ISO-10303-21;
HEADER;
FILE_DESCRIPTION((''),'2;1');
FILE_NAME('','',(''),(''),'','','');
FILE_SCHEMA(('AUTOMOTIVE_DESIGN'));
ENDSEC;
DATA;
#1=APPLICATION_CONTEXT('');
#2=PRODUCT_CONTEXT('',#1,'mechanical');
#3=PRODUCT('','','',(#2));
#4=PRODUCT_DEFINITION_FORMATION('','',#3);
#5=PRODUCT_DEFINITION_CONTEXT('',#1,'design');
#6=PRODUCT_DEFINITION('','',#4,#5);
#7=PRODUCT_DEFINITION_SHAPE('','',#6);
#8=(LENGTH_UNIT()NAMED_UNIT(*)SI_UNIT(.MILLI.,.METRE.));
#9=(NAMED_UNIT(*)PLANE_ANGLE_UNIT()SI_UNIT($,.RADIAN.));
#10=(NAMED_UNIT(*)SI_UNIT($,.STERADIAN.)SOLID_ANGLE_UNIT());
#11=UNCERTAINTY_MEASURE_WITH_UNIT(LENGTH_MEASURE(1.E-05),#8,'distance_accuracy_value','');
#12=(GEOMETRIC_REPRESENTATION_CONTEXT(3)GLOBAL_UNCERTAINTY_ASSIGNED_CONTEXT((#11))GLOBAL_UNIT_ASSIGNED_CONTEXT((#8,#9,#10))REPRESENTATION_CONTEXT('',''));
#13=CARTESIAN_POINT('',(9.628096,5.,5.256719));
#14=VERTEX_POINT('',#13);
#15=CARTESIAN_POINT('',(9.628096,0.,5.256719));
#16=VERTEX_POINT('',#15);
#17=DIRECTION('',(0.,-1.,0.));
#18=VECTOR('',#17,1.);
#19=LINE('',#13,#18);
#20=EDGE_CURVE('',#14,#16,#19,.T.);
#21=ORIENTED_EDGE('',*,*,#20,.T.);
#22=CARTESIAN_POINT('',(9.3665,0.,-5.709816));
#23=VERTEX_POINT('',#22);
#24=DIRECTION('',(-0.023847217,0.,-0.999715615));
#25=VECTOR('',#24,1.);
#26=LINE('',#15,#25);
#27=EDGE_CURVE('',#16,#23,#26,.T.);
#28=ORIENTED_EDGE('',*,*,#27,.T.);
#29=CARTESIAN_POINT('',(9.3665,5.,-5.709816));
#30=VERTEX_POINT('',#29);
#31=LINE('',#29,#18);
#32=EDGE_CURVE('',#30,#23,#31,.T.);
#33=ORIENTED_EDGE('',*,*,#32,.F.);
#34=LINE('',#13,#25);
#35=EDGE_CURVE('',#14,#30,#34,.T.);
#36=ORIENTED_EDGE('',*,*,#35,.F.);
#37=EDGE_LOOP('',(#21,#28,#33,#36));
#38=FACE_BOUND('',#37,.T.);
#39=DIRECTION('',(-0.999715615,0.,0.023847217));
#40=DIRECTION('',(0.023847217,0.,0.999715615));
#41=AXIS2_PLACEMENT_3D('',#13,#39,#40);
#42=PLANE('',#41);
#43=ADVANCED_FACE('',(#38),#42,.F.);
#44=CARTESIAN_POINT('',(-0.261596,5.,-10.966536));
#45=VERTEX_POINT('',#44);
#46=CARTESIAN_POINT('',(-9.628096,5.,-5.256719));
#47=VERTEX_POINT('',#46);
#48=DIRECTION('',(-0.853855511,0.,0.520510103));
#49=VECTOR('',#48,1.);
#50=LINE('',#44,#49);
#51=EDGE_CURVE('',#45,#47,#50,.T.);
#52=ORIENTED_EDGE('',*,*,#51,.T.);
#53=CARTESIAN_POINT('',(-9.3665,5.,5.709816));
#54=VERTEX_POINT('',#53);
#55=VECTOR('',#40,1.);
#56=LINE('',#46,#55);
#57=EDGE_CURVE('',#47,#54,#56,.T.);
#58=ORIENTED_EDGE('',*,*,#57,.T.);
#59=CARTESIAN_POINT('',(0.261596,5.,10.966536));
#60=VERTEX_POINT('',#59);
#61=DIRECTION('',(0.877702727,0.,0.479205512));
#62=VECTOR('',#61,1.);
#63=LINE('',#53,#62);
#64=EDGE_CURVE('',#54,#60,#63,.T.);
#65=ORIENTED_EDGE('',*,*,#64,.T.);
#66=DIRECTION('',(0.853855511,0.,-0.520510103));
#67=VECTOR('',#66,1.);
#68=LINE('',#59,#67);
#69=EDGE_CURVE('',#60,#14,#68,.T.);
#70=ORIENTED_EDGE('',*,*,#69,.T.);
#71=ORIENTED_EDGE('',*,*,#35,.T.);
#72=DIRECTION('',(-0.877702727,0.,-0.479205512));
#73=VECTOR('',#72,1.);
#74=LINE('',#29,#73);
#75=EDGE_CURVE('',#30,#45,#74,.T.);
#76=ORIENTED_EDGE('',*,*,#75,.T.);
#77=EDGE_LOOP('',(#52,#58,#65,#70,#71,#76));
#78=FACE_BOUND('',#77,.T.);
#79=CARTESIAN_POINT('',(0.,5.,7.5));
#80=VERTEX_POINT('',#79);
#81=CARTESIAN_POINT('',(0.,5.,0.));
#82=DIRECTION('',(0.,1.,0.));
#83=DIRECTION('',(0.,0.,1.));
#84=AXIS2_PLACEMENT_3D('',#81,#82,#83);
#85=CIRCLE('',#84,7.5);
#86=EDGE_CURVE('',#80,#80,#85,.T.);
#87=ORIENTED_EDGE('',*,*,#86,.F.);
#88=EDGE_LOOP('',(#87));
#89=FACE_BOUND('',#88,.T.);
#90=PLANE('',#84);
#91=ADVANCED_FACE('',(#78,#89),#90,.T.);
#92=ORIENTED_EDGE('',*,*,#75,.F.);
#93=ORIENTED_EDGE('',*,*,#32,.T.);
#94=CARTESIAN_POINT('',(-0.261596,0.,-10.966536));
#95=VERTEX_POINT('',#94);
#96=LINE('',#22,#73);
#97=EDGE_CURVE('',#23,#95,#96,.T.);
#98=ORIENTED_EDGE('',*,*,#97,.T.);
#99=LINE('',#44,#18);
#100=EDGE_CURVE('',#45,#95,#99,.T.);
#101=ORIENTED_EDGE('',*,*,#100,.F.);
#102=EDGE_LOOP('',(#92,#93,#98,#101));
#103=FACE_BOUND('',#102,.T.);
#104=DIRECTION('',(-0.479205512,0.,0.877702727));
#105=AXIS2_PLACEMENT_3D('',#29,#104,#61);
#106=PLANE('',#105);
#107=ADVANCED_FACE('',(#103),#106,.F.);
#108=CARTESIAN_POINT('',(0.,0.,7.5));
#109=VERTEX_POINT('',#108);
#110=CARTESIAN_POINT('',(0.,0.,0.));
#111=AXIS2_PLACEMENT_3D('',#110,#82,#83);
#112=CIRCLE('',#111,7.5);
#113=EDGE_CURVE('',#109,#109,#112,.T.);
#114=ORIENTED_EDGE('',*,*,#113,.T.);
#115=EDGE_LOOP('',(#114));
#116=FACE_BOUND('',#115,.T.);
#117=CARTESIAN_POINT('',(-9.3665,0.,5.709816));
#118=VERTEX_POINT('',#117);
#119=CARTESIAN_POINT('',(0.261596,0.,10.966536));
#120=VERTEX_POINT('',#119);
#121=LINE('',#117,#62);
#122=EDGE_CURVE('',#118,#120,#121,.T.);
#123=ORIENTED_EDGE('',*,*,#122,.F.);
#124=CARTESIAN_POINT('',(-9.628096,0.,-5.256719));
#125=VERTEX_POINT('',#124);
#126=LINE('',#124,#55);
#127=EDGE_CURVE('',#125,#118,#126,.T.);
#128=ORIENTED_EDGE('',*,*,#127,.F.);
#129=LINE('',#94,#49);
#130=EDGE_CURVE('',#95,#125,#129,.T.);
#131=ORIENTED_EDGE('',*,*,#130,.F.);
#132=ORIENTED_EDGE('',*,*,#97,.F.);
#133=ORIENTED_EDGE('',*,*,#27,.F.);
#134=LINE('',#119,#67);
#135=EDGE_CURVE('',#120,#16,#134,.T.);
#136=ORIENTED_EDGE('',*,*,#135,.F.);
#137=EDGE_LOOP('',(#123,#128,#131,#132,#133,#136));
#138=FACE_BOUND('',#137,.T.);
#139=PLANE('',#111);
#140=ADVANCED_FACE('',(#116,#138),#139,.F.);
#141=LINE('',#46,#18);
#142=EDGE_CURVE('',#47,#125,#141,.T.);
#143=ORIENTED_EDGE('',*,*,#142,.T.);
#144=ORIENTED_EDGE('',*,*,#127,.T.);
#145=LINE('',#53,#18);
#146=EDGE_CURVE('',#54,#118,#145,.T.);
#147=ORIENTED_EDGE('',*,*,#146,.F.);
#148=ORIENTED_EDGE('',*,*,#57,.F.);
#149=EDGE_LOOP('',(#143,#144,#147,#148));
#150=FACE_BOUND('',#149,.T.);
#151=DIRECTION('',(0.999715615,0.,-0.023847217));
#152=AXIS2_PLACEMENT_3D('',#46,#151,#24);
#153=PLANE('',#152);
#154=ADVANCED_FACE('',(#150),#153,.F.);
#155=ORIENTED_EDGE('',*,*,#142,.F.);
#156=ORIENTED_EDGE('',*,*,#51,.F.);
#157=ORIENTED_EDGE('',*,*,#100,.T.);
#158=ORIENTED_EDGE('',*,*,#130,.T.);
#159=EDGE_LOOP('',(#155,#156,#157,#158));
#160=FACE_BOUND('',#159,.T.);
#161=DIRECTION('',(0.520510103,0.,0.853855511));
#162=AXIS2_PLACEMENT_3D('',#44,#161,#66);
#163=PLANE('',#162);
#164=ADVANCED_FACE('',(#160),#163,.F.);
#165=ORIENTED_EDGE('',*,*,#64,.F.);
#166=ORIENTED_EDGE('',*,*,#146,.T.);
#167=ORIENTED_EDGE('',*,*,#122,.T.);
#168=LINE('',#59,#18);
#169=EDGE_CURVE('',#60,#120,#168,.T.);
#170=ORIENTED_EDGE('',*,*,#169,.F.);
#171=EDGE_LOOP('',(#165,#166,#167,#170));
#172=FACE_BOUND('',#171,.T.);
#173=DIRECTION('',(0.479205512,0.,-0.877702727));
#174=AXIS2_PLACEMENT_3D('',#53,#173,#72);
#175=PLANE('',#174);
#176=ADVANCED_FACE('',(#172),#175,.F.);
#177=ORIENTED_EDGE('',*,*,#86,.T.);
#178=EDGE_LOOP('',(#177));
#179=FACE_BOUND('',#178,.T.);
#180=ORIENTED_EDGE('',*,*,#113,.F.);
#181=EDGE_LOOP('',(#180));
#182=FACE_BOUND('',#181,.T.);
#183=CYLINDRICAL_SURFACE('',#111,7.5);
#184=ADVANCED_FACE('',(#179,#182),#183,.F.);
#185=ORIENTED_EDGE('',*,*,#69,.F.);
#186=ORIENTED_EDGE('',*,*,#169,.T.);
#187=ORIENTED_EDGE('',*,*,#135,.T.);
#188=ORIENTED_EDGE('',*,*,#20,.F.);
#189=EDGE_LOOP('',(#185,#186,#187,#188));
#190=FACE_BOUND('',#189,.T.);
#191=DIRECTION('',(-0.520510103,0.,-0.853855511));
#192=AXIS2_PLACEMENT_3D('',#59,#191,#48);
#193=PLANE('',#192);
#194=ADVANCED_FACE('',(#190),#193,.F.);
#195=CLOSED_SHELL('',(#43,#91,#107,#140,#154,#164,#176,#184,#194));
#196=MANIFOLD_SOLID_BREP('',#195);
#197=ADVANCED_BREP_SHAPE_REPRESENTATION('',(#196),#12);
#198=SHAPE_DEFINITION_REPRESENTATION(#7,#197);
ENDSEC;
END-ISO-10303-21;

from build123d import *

# Parameters (mm, degrees)
BOSS_EXTRUDE1_DEPTH = 5
SKETCH3_R           = 7.5
CUT_EXTRUDE1_DEPTH  = 5


with BuildPart() as part:
    # Sketch1 → Boss-Extrude1 (new body)
    with BuildSketch(Plane(origin=(0, 0, 0), x_dir=(1, 0, 0), z_dir=(0, 1, 0))):
        Polygon((9.62809621, -5.256719195), (9.366500469, 5.709816311), (-0.261595741, 10.966535506), (-9.62809621, 5.256719195), (-9.366500469, -5.709816311), (0.261595741, -10.966535506), align=None)
    extrude(amount=BOSS_EXTRUDE1_DEPTH)

    # Sketch3 → Cut-Extrude1 (cut)
    with BuildSketch(Plane(origin=(0, 5, 0), x_dir=(1, 0, 0), z_dir=(0, 1, 0))):
        Circle(SKETCH3_R)
    extrude(amount=-CUT_EXTRUDE1_DEPTH, mode=Mode.SUBTRACT)


solid = part.part
